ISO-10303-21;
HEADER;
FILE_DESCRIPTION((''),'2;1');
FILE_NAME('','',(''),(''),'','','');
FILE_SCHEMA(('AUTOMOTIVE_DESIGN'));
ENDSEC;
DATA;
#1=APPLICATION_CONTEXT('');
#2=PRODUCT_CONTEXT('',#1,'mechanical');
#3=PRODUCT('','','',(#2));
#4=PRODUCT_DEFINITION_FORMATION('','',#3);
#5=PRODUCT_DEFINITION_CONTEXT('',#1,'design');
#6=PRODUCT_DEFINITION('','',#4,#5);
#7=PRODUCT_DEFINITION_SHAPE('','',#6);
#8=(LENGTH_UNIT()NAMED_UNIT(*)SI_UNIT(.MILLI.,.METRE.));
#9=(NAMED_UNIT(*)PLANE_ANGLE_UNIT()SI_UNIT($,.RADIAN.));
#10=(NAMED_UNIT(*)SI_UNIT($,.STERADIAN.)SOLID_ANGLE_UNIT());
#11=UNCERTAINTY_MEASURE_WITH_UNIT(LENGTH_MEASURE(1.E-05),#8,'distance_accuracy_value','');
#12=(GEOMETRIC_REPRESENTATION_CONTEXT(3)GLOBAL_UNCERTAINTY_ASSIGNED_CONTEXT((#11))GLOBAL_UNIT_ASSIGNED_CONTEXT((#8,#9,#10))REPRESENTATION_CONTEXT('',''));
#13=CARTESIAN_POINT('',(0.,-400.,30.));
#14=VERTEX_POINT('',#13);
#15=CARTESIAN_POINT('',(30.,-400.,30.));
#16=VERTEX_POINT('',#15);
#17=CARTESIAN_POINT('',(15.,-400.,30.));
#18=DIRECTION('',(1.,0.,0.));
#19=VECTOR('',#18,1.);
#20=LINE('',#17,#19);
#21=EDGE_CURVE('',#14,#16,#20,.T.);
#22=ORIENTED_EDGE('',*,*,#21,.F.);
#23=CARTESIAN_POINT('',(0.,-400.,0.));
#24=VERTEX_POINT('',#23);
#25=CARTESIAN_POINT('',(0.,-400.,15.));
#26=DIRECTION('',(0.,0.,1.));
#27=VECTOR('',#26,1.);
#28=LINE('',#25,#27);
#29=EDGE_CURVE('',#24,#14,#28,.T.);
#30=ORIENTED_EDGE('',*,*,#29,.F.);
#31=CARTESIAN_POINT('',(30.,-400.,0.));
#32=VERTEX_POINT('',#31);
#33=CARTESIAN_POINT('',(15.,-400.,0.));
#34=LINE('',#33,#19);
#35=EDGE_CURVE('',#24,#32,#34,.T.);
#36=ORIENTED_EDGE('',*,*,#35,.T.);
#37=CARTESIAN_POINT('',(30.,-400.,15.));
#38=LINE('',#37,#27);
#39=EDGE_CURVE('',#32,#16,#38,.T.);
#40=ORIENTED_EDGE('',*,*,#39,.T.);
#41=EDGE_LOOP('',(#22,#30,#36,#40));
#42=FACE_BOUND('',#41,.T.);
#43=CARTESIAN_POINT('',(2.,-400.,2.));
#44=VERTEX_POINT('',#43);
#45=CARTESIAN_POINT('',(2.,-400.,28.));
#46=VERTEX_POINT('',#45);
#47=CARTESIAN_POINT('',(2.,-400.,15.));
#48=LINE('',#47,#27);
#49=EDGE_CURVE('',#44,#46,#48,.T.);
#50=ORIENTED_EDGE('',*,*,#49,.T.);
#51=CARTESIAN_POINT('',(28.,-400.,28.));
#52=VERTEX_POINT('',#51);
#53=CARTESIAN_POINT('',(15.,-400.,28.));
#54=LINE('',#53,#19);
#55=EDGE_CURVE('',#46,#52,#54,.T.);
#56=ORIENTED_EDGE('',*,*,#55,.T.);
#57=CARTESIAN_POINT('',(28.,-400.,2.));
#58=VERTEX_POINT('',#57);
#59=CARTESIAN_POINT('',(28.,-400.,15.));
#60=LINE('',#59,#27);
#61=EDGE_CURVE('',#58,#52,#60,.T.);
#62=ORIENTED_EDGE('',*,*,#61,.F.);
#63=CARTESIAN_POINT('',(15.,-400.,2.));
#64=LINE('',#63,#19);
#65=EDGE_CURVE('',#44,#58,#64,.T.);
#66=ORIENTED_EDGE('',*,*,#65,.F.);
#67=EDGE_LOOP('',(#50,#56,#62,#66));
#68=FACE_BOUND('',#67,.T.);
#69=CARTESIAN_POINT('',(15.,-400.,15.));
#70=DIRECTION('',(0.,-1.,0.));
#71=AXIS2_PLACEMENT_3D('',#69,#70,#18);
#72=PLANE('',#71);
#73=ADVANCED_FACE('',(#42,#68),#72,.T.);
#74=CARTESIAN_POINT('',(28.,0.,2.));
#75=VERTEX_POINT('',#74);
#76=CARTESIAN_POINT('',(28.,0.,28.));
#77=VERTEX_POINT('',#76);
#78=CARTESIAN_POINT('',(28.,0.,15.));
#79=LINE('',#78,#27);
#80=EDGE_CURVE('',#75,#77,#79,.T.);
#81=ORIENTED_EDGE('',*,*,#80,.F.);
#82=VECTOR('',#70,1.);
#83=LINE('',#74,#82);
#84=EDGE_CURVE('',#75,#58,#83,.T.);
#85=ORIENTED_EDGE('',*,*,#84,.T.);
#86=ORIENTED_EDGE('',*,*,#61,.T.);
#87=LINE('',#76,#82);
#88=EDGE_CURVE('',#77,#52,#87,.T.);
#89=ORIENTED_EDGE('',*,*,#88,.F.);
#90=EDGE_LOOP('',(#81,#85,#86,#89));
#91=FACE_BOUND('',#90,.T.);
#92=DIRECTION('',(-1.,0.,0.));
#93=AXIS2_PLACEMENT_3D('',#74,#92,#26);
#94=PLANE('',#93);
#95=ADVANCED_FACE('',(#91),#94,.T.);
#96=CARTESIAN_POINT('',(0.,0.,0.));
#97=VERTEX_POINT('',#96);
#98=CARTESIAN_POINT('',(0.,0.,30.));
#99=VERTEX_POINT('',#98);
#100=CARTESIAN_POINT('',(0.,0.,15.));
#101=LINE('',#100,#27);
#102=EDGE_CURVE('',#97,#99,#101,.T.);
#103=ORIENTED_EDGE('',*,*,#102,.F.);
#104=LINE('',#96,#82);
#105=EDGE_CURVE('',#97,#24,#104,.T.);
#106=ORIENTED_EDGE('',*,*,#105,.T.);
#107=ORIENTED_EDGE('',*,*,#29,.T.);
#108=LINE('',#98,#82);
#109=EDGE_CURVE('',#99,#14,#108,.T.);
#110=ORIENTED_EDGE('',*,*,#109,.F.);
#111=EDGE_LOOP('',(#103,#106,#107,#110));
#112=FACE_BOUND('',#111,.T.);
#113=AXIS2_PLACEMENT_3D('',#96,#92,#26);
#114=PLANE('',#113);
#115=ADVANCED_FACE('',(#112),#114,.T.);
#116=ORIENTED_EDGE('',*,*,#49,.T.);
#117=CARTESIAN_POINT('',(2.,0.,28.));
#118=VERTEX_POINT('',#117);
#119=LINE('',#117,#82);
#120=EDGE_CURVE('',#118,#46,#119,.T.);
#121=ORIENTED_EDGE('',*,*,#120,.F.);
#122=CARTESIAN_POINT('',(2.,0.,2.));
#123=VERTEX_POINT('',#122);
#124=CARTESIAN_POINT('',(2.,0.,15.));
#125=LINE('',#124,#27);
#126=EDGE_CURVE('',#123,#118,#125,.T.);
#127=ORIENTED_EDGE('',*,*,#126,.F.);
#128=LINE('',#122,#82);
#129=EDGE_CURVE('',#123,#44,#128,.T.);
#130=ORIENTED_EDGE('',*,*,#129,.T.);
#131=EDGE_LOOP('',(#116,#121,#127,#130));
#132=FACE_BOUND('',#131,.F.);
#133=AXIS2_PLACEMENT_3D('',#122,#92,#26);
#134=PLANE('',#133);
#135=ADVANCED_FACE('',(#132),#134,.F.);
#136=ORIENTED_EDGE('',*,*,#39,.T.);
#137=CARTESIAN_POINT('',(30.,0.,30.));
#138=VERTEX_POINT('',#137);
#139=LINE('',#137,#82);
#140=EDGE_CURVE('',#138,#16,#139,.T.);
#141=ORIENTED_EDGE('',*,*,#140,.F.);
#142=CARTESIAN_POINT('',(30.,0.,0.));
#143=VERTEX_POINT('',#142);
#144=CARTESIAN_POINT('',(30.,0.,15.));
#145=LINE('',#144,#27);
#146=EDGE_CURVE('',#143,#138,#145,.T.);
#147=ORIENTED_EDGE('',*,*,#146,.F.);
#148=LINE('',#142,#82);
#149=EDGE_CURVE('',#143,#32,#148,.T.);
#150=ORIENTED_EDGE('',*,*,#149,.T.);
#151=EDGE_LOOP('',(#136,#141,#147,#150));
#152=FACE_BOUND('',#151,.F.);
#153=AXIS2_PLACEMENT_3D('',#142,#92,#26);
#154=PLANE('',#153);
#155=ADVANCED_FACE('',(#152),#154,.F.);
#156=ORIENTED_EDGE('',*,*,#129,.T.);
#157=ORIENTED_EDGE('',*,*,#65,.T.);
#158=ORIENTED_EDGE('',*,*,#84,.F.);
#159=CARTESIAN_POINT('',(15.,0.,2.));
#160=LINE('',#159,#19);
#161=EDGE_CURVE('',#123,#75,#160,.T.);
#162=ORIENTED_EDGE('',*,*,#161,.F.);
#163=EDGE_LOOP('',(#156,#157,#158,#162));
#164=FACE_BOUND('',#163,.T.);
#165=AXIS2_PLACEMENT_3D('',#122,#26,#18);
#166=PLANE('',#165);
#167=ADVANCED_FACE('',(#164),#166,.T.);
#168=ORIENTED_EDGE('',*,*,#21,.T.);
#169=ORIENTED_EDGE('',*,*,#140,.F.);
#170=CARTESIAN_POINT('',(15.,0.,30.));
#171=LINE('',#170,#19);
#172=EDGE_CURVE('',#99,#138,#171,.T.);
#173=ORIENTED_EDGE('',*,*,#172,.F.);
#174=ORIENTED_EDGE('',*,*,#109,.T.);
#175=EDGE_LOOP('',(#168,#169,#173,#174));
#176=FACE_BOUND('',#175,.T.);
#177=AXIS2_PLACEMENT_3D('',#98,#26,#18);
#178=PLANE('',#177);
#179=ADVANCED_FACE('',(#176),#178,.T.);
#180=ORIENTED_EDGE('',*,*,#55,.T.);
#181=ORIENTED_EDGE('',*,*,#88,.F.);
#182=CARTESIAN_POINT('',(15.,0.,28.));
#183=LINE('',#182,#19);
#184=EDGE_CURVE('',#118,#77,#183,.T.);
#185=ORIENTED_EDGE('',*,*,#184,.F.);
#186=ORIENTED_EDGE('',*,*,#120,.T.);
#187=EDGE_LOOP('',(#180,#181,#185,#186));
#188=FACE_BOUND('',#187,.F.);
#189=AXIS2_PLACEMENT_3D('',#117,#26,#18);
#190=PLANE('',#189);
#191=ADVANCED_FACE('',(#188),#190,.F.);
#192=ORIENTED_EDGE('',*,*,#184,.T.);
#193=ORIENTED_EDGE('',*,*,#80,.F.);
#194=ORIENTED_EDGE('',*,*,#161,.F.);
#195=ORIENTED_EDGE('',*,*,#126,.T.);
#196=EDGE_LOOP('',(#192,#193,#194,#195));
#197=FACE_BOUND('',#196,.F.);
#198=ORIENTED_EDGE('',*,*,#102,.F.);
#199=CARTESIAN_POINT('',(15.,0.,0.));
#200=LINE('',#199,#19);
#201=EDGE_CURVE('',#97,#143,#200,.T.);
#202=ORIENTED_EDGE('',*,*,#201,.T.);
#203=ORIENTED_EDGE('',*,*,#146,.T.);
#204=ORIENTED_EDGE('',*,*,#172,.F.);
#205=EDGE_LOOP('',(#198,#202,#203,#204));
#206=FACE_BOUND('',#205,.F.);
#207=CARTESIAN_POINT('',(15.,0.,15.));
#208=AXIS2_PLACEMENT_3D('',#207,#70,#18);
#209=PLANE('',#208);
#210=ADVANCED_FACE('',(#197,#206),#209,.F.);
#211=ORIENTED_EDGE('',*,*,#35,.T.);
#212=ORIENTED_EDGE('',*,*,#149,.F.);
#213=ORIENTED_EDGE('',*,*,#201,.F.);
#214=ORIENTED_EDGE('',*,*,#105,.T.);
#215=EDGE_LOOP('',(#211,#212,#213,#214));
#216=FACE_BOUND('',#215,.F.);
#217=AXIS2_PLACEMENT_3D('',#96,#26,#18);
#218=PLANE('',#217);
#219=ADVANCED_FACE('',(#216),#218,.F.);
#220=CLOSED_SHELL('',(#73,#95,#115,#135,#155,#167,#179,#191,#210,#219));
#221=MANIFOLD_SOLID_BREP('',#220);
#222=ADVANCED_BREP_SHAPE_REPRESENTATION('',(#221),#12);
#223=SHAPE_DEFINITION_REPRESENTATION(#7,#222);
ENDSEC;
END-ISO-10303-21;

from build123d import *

# Parameters (mm, degrees)
SKETCH_W   = 30
SKETCH_H   = 30
SKETCH_W_2 = 26
SKETCH_H_2 = 26
PAD_DEPTH  = 400


with BuildPart() as part:
    # Sketch → Pad (new body)
    with BuildSketch(Plane.XZ):
        with Locations((15, 15)):
            Rectangle(SKETCH_W, SKETCH_H)
        with Locations((15, 15)):
            Rectangle(SKETCH_W_2, SKETCH_H_2, mode=Mode.SUBTRACT)
    extrude(amount=PAD_DEPTH)


solid = part.part
